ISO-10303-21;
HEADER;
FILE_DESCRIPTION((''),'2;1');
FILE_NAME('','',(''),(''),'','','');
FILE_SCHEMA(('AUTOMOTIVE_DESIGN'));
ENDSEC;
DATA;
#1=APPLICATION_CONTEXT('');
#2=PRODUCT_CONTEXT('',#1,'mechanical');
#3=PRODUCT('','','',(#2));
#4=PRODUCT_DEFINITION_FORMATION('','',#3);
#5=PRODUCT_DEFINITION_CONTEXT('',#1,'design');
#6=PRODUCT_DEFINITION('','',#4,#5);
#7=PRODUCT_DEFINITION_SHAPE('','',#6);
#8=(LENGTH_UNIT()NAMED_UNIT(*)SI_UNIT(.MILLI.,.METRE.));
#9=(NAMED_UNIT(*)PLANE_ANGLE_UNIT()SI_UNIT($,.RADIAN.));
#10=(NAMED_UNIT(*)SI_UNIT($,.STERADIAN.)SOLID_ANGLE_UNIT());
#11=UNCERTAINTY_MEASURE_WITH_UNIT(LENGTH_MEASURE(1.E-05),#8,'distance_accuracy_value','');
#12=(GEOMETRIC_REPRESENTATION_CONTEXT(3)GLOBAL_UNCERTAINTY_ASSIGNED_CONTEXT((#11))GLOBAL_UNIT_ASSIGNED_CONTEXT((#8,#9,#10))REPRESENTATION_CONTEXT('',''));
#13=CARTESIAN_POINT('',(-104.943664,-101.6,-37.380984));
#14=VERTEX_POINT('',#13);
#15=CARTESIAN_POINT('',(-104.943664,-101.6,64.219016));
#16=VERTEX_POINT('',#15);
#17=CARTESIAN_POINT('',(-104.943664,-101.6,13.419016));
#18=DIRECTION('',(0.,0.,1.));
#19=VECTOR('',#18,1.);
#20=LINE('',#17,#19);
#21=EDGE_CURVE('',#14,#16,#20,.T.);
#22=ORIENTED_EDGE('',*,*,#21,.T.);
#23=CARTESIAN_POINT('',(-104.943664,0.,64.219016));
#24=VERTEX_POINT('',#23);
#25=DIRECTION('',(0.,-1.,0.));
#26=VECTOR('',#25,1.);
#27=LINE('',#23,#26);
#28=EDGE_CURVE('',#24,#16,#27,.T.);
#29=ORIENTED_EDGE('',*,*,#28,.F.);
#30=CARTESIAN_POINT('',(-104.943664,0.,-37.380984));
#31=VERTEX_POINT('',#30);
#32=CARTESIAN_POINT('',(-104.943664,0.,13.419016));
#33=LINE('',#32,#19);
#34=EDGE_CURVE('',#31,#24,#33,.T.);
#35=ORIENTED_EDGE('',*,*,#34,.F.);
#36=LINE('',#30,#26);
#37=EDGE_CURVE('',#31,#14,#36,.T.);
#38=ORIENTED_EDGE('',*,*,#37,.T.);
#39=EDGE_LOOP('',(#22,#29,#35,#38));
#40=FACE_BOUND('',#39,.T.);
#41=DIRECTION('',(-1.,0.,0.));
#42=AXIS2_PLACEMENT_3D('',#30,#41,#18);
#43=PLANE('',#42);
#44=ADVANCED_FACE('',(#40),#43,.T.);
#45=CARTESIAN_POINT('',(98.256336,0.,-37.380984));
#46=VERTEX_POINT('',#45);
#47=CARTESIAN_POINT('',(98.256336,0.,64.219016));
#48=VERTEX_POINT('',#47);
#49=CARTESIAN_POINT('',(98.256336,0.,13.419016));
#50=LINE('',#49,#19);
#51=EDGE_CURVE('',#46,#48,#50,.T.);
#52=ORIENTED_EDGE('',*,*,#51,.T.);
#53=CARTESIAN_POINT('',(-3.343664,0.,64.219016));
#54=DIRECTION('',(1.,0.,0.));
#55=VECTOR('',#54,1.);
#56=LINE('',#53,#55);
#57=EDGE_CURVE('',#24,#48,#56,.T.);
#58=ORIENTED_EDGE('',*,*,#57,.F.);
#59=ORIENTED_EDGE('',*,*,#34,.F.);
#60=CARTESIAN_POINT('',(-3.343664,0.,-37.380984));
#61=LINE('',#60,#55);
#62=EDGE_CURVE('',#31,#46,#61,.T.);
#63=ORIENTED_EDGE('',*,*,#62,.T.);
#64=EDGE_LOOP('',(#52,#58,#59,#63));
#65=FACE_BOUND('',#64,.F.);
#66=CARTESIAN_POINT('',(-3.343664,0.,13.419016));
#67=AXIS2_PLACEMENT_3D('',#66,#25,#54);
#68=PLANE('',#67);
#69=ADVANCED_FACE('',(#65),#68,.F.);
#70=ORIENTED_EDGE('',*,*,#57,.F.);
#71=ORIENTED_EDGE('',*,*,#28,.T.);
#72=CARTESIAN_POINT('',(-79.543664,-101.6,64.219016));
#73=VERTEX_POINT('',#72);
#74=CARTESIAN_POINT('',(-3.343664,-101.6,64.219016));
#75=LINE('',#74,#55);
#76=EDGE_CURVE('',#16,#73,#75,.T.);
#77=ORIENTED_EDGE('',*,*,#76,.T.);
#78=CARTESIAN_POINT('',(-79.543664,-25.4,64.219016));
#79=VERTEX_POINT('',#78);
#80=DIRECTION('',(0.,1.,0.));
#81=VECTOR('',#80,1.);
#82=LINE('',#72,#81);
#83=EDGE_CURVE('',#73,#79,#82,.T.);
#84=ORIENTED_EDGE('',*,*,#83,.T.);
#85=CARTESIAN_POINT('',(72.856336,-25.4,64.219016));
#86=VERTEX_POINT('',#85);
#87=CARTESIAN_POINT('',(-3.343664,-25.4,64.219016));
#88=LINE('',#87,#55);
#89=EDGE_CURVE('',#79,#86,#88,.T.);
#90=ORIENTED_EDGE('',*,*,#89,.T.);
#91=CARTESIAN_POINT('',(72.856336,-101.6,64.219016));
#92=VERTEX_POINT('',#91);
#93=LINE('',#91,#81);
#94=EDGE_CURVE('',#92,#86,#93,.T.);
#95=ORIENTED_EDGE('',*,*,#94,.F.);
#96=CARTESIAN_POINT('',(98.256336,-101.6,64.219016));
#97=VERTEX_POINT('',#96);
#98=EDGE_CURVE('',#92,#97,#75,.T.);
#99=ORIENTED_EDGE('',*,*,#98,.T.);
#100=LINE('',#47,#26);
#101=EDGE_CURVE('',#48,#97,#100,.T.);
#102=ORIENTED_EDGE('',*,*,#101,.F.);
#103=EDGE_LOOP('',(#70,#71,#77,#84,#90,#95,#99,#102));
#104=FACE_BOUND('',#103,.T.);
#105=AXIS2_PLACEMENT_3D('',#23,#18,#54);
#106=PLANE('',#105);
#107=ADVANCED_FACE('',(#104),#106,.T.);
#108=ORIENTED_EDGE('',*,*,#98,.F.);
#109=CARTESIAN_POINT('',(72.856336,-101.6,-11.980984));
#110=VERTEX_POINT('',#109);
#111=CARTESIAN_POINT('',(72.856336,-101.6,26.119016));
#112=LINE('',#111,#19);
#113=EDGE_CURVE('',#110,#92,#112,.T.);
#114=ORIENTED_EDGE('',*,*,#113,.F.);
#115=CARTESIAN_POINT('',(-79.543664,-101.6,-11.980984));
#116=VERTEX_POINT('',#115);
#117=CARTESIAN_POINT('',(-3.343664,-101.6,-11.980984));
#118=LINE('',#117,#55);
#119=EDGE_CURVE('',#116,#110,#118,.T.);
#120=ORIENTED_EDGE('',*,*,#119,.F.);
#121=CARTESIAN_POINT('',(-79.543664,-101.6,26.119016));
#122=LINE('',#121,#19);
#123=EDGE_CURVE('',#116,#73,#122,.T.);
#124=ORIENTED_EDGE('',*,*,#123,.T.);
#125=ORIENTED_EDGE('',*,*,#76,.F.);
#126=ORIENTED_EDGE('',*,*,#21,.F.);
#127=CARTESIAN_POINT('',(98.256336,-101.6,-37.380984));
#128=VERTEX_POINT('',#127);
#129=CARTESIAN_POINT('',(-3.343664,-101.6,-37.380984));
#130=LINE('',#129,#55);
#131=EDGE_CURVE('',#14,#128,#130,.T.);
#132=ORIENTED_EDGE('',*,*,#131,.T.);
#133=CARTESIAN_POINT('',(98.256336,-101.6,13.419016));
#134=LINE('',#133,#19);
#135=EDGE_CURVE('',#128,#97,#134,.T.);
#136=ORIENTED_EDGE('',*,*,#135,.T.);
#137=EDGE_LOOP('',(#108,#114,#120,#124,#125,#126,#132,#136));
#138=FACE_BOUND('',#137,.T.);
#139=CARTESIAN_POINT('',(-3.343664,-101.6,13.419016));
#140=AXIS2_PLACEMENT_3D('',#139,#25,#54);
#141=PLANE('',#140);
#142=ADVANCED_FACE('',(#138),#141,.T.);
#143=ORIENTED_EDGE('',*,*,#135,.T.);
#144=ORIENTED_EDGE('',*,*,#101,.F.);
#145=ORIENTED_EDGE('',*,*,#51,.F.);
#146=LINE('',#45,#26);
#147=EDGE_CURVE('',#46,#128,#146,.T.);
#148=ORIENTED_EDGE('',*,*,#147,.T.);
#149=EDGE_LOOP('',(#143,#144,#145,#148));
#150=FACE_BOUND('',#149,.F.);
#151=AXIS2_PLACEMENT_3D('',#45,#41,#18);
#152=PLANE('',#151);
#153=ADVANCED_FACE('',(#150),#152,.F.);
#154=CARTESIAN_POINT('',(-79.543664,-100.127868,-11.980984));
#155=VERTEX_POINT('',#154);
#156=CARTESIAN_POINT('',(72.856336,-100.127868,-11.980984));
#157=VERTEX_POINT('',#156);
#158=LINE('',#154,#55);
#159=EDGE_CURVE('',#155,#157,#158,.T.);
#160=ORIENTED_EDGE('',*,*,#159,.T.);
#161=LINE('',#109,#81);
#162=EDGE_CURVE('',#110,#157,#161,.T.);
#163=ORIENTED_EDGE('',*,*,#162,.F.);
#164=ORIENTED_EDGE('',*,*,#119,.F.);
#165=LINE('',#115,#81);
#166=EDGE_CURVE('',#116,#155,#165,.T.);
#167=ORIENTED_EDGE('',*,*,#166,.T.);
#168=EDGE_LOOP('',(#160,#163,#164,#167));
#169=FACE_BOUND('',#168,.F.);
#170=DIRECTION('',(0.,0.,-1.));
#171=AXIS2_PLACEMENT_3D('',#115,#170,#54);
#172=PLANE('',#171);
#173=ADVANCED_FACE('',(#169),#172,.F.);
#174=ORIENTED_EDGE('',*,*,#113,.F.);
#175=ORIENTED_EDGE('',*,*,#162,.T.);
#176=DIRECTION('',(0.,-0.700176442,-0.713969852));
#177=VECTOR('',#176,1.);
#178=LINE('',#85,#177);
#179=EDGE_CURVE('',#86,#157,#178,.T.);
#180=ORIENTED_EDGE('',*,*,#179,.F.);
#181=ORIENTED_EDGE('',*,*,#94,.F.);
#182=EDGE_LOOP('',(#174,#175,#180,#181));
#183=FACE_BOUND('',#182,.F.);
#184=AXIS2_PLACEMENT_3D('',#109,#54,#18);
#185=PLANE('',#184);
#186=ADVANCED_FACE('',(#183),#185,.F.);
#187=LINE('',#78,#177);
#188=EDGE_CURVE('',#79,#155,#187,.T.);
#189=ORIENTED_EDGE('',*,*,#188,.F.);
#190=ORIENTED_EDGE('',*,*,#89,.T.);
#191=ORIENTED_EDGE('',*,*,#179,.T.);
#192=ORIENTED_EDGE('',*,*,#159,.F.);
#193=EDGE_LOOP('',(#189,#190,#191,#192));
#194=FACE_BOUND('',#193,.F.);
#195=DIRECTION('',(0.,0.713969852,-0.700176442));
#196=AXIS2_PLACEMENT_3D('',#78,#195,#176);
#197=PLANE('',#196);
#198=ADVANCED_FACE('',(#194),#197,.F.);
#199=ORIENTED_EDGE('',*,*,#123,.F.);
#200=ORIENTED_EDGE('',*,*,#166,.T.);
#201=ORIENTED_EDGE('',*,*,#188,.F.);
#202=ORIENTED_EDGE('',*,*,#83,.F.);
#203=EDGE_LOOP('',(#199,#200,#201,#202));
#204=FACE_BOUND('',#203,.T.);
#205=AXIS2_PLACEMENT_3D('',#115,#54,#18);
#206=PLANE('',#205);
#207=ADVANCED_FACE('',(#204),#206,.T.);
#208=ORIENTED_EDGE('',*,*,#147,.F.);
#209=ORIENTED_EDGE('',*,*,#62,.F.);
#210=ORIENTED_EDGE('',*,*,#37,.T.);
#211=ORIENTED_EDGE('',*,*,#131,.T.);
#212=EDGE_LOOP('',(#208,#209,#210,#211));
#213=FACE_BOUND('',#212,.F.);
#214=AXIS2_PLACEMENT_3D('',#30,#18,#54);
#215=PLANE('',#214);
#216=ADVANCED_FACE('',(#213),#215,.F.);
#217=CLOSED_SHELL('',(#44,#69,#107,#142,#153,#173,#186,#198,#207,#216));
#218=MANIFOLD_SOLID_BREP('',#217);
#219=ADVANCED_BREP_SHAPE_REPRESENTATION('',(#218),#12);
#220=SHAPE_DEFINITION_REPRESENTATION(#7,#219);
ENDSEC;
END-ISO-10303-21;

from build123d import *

# Parameters (mm, degrees)
F0_W     = 203.2
F0_H     = 101.6
F1_DEPTH = 101.6
F2_W     = 152.4
F2_H     = 76.2
F3_DEPTH = 76.2
F5_DEPTH = 152.4


with BuildPart() as f1:
    # F0 (on Front) → F1 (new body)
    with BuildSketch(Plane.XZ):
        with Locations((-3.343664, 13.419016)):
            Rectangle(F0_W, F0_H)
    extrude(amount=F1_DEPTH)

    # F2 (on face) → F3 (cut)
    with BuildSketch(Plane.XZ.offset(101.6)):
        with Locations((-3.343664, 26.119016)):
            Rectangle(F2_W, F2_H)
    extrude(amount=-F3_DEPTH, mode=Mode.SUBTRACT)

    # F4 (on face) → F5 (join)
    with BuildSketch(Plane.YZ.offset(-79.543664)):
        Polygon((-25.4, -11.980984), (-25.4, 64.219016), (-100.127868, -11.980984), align=None)
    extrude(amount=F5_DEPTH)


solid = f1.part
